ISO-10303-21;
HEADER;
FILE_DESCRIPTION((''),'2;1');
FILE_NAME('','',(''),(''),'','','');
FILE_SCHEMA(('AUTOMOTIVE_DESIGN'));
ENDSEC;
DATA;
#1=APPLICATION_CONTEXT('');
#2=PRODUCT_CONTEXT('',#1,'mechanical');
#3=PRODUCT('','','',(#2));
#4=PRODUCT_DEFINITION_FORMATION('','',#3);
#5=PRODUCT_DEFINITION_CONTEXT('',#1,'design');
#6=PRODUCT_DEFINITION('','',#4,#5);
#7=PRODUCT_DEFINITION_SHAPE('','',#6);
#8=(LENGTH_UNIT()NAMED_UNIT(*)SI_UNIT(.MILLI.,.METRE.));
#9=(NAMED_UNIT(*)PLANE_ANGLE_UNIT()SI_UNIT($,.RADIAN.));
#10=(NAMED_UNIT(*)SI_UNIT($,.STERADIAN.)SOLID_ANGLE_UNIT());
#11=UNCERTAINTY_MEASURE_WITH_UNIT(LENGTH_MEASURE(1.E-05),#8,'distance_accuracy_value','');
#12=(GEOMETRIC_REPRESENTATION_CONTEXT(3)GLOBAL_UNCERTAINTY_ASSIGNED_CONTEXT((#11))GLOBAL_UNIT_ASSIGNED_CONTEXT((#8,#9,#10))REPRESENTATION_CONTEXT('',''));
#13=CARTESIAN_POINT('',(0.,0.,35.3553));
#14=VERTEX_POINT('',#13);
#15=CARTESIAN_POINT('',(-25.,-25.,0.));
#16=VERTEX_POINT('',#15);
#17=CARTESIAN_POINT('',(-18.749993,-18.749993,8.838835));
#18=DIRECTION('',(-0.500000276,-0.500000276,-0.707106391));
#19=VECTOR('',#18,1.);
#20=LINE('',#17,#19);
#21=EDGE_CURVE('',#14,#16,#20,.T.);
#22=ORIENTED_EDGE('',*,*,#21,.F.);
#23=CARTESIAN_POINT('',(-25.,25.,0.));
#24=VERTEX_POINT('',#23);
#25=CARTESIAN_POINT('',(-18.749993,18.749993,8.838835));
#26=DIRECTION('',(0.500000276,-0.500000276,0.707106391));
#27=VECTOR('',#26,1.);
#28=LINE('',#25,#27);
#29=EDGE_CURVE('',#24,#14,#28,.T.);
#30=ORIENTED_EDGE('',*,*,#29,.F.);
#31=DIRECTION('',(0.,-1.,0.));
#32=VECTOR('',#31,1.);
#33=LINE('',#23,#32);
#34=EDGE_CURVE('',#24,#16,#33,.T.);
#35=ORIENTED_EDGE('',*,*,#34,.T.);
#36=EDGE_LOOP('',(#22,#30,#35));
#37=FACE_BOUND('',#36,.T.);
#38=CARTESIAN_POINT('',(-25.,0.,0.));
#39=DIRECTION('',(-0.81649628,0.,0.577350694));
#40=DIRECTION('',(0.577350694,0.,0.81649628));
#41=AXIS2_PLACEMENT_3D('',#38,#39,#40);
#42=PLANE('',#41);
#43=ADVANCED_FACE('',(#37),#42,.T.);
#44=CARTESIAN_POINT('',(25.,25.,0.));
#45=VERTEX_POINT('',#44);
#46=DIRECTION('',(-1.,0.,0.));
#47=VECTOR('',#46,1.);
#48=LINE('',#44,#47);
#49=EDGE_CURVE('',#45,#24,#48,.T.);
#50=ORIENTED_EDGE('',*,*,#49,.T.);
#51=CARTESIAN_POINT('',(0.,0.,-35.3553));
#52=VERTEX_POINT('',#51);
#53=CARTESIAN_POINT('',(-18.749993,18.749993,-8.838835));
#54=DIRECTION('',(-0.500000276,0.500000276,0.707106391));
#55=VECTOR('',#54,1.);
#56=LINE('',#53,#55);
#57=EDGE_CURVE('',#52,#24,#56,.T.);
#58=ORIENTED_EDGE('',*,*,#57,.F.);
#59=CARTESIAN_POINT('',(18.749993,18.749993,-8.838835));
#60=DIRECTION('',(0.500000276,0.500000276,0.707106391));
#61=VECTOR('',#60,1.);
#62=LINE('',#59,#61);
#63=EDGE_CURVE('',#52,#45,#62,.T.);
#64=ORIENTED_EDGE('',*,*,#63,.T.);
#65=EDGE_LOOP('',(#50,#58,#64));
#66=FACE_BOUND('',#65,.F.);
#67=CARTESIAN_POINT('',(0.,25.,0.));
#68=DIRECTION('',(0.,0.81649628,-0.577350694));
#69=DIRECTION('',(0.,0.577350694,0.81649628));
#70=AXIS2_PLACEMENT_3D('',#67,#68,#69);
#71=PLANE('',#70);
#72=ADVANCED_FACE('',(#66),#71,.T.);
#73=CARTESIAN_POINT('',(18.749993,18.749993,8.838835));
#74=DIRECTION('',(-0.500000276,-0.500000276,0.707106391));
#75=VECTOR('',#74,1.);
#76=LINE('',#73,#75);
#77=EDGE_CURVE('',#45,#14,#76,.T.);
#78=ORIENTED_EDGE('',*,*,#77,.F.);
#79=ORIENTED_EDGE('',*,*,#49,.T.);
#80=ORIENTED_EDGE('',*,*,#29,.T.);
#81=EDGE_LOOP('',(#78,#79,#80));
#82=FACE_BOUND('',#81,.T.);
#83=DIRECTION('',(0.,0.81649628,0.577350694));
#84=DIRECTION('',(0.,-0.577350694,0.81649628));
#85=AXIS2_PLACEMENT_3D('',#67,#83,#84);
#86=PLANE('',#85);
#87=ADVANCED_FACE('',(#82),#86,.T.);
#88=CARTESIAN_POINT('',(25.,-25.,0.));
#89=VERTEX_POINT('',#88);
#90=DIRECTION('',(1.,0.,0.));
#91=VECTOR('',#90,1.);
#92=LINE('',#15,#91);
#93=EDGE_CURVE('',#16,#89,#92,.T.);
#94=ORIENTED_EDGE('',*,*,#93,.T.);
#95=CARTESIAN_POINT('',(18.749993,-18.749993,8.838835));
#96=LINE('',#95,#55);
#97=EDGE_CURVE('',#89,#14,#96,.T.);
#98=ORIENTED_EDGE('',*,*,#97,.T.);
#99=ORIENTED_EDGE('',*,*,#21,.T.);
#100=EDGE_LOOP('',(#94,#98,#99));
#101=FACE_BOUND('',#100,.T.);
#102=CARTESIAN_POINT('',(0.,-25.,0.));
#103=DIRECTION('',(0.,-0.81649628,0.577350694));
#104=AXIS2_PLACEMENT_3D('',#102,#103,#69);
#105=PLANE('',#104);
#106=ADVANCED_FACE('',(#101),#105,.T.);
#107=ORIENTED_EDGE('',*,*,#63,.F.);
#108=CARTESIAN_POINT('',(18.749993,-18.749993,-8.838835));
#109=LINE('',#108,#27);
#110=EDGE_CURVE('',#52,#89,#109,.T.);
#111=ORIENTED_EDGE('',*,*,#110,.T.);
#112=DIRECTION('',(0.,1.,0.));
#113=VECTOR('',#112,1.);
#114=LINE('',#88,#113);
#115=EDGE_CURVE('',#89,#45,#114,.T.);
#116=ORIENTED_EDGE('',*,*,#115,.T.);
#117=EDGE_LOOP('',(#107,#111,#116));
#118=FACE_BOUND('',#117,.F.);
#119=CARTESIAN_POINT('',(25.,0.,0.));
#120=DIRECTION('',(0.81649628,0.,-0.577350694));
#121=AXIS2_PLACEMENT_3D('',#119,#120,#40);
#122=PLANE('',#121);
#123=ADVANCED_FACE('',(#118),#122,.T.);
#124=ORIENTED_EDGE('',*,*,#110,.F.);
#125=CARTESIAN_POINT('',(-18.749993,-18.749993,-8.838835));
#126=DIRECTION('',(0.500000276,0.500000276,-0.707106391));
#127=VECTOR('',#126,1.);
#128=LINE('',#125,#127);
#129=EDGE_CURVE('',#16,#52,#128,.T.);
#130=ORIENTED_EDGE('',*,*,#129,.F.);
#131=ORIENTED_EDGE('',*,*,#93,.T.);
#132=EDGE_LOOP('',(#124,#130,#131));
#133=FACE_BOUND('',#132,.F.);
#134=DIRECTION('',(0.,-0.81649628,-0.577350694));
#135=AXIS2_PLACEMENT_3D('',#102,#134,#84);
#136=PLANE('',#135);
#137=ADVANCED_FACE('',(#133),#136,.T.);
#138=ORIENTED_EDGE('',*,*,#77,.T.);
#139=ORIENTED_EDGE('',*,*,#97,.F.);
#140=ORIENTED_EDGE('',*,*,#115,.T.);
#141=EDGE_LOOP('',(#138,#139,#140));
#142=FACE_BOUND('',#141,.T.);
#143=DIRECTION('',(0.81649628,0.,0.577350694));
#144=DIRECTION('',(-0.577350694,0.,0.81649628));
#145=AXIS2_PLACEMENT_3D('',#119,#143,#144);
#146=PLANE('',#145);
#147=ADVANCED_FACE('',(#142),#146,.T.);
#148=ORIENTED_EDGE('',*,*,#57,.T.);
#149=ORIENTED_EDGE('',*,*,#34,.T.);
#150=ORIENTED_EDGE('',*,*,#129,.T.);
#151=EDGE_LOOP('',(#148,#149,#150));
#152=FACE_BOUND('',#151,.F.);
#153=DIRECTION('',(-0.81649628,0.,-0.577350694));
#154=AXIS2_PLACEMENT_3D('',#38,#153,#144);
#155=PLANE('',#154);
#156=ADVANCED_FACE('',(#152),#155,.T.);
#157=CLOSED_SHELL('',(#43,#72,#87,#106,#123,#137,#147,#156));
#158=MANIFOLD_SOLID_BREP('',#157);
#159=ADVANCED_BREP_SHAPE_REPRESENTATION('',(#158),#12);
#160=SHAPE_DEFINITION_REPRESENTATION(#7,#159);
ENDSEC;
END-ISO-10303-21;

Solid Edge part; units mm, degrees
sketch "Sketch1" plane through (0, 0, 0) normal (0, 0, 1) x (1, 0, 0)
  line L0 (25, -25) -> (25, 25)
  line L1 (25, 25) -> (-25, 25)
  line L2 (-25, 25) -> (-25, -25)
  line L3 (-25, -25) -> (25, -25)
extrude "Protrusion1" add sketch "Sketch1" along normal blind 93.2781
sketch "Sketch2" plane through (0, 0, 0) normal (1, 0, 0) x (0, 1, 0)
  line L0 (-25, 0) -> (0, 35.3553)
extrude "Cutout1" cut sketch "Sketch2" along normal up to next and the other way up to next material side at (0, -12.5408, 17.7065)
pattern_circular "Pattern1" count 4 over 360 about axis through (0, 0, 0) along (0, 0, 1) of "Cutout1"
mirror "Mirror1" about plane through (0, 0, 0) normal (0, 0, 1) of "Protrusion1", "Cutout1", "Pattern1"
